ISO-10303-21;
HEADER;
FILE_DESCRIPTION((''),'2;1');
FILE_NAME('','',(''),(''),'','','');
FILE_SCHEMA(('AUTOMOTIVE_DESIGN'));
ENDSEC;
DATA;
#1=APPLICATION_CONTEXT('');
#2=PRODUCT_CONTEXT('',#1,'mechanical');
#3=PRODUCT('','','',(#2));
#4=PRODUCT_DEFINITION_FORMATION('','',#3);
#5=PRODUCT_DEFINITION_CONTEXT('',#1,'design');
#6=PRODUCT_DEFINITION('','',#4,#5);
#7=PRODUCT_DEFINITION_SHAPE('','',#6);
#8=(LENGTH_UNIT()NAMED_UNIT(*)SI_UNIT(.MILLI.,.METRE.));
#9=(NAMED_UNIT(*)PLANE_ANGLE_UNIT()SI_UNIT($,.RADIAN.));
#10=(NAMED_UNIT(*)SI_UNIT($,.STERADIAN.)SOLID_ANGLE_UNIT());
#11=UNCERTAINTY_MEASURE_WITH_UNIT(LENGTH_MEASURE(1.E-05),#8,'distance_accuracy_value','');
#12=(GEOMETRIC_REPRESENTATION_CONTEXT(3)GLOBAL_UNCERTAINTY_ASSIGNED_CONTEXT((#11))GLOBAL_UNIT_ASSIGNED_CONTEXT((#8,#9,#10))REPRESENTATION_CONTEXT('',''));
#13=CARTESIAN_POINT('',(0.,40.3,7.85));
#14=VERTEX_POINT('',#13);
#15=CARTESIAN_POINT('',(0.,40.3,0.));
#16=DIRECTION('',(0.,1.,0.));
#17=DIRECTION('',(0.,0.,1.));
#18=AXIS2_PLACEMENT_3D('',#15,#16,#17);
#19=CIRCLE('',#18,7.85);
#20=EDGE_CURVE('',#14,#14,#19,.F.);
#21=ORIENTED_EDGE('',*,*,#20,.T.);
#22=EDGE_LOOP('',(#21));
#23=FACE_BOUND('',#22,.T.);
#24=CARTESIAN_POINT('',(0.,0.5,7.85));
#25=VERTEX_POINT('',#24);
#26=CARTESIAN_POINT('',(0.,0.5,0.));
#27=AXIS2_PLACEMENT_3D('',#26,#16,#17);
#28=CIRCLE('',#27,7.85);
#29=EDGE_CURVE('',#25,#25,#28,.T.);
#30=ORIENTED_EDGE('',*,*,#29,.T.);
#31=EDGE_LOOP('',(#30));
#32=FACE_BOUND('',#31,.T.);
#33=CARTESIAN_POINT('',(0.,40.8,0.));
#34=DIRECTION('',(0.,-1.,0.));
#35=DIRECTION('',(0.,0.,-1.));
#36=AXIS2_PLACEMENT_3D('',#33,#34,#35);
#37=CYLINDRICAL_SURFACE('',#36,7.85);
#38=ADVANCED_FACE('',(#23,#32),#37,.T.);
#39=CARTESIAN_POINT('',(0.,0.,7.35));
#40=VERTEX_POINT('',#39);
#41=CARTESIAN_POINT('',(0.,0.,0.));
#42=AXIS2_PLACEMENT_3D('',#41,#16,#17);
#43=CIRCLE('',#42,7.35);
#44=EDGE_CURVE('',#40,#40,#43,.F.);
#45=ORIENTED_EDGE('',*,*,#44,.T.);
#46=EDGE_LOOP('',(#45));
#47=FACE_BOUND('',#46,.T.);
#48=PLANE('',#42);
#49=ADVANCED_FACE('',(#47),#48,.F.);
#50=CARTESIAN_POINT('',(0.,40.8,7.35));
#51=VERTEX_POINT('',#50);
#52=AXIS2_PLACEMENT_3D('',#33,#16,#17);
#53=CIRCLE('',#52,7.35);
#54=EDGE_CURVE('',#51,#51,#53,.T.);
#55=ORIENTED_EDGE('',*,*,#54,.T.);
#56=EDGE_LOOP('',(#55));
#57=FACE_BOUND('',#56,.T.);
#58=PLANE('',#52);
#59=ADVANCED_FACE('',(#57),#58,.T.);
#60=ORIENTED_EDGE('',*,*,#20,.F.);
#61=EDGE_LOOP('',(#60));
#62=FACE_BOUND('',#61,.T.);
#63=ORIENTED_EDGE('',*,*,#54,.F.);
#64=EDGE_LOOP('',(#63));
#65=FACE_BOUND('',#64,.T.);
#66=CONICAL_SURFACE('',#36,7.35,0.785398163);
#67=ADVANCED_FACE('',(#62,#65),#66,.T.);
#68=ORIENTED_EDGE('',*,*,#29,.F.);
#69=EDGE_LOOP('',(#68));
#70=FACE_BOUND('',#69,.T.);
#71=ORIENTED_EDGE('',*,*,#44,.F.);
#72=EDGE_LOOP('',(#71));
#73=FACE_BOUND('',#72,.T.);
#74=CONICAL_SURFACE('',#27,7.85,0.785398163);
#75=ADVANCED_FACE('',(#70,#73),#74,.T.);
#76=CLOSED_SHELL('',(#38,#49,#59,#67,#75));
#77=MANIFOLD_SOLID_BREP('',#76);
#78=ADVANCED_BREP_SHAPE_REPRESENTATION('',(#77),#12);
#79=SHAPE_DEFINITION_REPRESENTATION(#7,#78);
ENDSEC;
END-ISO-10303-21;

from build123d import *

# Parameters (mm, degrees)
SKETCH1_R           = 7.85
BOSS_EXTRUDE1_DEPTH = 40.8
CHAMFER1_SIZE       = 0.5


with BuildPart() as part:
    # Sketch1 → Boss-Extrude1 (new body)
    with BuildSketch(Plane(origin=(0, 0, 0), x_dir=(1, 0, 0), z_dir=(0, 1, 0))):
        Circle(SKETCH1_R)
    extrude(amount=BOSS_EXTRUDE1_DEPTH)

    # Chamfer1
    chamfer1_edges = [part.edges().sort_by_distance(p)[0] for p in [
        (-7.85, 0, 0),
        (-7.85, 40.8, 0),
    ]]
    chamfer(chamfer1_edges, length=CHAMFER1_SIZE)


solid = part.part
